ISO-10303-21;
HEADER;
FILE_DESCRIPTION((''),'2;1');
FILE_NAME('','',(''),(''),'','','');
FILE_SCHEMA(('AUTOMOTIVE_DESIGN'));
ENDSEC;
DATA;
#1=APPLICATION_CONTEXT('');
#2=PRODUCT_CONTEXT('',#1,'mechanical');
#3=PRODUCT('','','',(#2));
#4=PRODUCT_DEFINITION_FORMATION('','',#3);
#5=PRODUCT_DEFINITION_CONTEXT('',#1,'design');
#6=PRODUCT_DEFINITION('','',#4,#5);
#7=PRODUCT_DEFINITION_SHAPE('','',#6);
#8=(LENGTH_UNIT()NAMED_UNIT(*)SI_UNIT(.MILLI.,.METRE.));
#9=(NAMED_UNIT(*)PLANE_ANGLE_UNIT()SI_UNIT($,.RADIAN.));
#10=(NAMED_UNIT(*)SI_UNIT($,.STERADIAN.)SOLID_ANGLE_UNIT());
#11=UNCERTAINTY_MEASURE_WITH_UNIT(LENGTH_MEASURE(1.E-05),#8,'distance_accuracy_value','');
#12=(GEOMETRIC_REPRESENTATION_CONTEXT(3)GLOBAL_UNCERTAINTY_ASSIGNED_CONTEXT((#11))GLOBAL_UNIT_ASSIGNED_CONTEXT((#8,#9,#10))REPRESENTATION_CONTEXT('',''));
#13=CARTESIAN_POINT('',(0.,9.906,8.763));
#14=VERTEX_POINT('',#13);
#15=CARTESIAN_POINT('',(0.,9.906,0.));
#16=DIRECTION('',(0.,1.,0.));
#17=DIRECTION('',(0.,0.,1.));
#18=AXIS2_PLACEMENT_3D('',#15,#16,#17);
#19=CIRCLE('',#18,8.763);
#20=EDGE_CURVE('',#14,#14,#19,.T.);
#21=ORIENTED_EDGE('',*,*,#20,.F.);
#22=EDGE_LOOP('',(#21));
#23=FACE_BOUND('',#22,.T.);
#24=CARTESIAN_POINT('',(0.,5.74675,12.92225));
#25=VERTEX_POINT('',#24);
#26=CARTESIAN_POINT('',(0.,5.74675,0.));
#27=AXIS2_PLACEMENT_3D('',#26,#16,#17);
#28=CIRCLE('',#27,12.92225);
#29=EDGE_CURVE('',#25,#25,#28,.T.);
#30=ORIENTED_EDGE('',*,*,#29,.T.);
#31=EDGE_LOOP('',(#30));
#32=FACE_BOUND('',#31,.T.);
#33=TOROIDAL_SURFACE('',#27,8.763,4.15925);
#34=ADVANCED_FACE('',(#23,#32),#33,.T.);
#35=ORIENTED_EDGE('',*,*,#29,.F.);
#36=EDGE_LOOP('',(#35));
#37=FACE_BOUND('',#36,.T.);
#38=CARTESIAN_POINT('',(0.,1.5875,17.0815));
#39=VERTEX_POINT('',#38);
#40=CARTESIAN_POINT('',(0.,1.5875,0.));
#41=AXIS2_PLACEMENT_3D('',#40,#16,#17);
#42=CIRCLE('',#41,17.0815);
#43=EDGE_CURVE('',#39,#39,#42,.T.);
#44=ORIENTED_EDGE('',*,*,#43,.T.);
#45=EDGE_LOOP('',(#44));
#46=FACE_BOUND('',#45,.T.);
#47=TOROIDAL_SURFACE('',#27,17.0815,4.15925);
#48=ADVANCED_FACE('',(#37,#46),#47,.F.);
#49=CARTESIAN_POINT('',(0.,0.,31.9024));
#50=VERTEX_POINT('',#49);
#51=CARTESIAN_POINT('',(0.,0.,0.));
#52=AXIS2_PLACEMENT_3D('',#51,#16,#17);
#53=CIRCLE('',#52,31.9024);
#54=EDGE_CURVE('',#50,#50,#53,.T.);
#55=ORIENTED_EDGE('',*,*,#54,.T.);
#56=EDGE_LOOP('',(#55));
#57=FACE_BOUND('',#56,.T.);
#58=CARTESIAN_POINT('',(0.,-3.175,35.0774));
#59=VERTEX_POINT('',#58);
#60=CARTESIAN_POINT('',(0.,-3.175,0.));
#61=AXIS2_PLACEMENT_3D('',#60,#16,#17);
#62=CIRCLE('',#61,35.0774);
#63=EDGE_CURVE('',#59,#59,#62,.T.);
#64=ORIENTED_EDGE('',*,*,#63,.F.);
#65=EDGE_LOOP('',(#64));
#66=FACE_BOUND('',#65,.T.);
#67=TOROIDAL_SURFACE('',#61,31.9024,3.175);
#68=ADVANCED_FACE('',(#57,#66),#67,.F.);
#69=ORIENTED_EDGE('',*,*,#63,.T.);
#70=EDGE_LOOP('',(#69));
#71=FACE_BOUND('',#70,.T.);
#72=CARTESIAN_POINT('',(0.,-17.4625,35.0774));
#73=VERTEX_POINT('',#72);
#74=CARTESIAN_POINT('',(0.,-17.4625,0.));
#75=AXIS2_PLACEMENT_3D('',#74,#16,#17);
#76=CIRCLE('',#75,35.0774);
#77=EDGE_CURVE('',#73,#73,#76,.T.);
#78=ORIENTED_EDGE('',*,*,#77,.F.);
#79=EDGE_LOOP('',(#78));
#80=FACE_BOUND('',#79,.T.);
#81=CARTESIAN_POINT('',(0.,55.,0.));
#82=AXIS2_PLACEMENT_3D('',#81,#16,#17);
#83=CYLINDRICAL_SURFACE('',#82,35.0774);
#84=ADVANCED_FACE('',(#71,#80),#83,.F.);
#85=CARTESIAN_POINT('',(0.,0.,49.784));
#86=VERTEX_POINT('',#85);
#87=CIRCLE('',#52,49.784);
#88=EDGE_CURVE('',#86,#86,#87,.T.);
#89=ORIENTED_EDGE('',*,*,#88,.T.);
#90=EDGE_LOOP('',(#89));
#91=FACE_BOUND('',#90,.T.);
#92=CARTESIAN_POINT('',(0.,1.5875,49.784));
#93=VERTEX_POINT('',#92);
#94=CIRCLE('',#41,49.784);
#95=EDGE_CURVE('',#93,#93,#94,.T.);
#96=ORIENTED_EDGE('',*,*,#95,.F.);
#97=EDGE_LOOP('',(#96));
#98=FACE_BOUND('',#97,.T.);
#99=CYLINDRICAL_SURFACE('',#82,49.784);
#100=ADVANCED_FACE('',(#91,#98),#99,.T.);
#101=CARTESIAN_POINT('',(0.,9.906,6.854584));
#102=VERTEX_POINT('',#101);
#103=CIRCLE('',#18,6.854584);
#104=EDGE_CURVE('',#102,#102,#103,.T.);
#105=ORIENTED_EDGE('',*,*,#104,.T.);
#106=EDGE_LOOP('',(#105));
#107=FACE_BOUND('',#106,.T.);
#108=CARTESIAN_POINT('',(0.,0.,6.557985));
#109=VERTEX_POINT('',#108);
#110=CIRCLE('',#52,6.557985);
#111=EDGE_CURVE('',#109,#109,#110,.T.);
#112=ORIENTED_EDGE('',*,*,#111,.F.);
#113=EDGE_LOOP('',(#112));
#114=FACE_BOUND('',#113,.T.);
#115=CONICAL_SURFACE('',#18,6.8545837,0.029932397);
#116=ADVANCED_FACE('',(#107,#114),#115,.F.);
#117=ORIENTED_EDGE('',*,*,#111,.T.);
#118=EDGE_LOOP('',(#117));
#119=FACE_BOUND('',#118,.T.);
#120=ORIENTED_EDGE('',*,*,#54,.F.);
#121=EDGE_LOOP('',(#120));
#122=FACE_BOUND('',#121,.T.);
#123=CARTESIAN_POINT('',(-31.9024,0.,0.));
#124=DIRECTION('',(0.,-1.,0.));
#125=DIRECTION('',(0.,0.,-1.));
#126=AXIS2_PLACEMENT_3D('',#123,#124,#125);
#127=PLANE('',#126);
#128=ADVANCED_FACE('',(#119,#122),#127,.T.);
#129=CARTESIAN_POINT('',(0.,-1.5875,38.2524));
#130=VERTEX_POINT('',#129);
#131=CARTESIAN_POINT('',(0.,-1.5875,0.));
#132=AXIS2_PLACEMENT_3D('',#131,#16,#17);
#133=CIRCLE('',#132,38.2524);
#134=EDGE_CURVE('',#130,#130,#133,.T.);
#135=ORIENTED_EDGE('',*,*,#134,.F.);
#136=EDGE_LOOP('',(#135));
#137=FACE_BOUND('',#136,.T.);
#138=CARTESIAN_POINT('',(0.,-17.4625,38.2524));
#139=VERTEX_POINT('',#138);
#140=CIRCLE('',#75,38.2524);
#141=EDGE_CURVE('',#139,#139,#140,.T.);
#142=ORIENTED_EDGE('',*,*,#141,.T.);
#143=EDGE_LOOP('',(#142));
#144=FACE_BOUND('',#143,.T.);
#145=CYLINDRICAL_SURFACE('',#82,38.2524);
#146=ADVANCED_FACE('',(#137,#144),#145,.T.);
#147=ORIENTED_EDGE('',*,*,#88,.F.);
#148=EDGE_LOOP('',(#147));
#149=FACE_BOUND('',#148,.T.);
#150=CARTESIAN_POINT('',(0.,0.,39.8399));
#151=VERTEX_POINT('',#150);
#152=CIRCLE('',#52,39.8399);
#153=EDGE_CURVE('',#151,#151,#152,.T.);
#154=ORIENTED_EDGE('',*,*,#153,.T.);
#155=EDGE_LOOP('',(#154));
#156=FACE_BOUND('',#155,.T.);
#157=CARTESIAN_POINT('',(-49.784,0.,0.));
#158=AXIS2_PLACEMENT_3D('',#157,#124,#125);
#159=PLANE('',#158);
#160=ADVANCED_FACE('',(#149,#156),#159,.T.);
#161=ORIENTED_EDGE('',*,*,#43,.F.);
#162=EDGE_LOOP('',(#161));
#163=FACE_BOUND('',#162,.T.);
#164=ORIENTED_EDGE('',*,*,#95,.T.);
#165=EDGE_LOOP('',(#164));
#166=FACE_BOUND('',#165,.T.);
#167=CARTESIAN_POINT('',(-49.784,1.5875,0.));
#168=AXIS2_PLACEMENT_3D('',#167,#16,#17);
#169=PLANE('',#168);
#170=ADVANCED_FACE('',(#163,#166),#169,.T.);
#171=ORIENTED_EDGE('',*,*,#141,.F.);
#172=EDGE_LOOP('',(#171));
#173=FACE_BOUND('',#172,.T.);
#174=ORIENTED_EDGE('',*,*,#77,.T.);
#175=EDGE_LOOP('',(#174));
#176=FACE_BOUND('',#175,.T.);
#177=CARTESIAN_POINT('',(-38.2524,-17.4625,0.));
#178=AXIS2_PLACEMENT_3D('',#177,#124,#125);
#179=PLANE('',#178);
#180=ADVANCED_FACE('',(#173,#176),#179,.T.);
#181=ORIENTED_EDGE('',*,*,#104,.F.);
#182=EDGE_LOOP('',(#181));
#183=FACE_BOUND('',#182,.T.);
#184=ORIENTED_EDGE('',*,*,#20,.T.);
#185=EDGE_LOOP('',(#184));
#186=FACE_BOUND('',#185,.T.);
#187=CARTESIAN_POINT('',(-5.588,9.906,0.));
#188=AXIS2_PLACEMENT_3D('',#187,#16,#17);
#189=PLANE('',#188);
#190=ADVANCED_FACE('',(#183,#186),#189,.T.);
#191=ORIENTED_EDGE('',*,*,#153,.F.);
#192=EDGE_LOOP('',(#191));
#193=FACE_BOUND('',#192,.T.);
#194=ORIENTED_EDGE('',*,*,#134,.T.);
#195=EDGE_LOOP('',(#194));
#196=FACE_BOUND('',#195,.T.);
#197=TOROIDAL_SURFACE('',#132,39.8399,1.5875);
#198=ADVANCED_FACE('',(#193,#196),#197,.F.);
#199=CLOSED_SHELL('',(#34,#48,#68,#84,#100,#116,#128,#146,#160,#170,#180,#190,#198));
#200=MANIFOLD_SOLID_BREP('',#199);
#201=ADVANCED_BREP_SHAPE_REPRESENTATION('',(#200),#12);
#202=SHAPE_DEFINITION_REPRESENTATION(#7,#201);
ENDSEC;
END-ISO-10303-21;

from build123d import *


with BuildPart() as part:
    # Sketch1 → Revolve1 (revolve)
    with BuildSketch(Plane.XY):
        with BuildLine():
            Line((-49.784, 0), (-39.839899999, 0))
            ThreePointArc((-39.839899999, 0), (-38.717367984, -0.464967985), (-38.252399999, -1.5875))
            Line((-38.252399999, -1.5875), (-38.2524, -17.4625))
            Line((-38.2524, -17.4625), (-35.0774, -17.4625))
            Line((-35.0774, -17.4625), (-35.0774, -3.175))
            ThreePointArc((-35.0774, -3.175), (-34.14746403, -0.92993597), (-31.9024, 0))
            Line((-31.9024, 0), (-5.588, 0))
            Line((-5.588, 0), (-5.588, 9.906))
            Line((-5.588, 9.906), (-8.763, 9.906))
            ThreePointArc((-8.763, 9.906), (-11.70403388, 8.68778388), (-12.92225, 5.74675))
            ThreePointArc((-12.92225, 5.74675), (-14.14046612, 2.80571612), (-17.0815, 1.5875))
            Line((-17.0815, 1.5875), (-49.784, 1.5875))
            Line((-49.784, 1.5875), (-49.784, 0))
        make_face()
    revolve(axis=Axis((0, 55, 0), (0, -1, 0)))

    # Sketch5 → 1/4 NPT Tapped Hole1 (revolve, cut)
    with BuildSketch(Plane(origin=(0, 9.906, 0), x_dir=(0, 0, 1), z_dir=(1, 0, 0))):
        Polygon((0, 0), (0, 27.3685), (5.5626, 27.3685), (5.5626, 9.906), (6.557984794, 9.906), (6.8545837, 0), align=None)
    revolve(axis=Axis((0, 16.256, 0), (0, -1, 0)), mode=Mode.SUBTRACT)


solid = part.part
